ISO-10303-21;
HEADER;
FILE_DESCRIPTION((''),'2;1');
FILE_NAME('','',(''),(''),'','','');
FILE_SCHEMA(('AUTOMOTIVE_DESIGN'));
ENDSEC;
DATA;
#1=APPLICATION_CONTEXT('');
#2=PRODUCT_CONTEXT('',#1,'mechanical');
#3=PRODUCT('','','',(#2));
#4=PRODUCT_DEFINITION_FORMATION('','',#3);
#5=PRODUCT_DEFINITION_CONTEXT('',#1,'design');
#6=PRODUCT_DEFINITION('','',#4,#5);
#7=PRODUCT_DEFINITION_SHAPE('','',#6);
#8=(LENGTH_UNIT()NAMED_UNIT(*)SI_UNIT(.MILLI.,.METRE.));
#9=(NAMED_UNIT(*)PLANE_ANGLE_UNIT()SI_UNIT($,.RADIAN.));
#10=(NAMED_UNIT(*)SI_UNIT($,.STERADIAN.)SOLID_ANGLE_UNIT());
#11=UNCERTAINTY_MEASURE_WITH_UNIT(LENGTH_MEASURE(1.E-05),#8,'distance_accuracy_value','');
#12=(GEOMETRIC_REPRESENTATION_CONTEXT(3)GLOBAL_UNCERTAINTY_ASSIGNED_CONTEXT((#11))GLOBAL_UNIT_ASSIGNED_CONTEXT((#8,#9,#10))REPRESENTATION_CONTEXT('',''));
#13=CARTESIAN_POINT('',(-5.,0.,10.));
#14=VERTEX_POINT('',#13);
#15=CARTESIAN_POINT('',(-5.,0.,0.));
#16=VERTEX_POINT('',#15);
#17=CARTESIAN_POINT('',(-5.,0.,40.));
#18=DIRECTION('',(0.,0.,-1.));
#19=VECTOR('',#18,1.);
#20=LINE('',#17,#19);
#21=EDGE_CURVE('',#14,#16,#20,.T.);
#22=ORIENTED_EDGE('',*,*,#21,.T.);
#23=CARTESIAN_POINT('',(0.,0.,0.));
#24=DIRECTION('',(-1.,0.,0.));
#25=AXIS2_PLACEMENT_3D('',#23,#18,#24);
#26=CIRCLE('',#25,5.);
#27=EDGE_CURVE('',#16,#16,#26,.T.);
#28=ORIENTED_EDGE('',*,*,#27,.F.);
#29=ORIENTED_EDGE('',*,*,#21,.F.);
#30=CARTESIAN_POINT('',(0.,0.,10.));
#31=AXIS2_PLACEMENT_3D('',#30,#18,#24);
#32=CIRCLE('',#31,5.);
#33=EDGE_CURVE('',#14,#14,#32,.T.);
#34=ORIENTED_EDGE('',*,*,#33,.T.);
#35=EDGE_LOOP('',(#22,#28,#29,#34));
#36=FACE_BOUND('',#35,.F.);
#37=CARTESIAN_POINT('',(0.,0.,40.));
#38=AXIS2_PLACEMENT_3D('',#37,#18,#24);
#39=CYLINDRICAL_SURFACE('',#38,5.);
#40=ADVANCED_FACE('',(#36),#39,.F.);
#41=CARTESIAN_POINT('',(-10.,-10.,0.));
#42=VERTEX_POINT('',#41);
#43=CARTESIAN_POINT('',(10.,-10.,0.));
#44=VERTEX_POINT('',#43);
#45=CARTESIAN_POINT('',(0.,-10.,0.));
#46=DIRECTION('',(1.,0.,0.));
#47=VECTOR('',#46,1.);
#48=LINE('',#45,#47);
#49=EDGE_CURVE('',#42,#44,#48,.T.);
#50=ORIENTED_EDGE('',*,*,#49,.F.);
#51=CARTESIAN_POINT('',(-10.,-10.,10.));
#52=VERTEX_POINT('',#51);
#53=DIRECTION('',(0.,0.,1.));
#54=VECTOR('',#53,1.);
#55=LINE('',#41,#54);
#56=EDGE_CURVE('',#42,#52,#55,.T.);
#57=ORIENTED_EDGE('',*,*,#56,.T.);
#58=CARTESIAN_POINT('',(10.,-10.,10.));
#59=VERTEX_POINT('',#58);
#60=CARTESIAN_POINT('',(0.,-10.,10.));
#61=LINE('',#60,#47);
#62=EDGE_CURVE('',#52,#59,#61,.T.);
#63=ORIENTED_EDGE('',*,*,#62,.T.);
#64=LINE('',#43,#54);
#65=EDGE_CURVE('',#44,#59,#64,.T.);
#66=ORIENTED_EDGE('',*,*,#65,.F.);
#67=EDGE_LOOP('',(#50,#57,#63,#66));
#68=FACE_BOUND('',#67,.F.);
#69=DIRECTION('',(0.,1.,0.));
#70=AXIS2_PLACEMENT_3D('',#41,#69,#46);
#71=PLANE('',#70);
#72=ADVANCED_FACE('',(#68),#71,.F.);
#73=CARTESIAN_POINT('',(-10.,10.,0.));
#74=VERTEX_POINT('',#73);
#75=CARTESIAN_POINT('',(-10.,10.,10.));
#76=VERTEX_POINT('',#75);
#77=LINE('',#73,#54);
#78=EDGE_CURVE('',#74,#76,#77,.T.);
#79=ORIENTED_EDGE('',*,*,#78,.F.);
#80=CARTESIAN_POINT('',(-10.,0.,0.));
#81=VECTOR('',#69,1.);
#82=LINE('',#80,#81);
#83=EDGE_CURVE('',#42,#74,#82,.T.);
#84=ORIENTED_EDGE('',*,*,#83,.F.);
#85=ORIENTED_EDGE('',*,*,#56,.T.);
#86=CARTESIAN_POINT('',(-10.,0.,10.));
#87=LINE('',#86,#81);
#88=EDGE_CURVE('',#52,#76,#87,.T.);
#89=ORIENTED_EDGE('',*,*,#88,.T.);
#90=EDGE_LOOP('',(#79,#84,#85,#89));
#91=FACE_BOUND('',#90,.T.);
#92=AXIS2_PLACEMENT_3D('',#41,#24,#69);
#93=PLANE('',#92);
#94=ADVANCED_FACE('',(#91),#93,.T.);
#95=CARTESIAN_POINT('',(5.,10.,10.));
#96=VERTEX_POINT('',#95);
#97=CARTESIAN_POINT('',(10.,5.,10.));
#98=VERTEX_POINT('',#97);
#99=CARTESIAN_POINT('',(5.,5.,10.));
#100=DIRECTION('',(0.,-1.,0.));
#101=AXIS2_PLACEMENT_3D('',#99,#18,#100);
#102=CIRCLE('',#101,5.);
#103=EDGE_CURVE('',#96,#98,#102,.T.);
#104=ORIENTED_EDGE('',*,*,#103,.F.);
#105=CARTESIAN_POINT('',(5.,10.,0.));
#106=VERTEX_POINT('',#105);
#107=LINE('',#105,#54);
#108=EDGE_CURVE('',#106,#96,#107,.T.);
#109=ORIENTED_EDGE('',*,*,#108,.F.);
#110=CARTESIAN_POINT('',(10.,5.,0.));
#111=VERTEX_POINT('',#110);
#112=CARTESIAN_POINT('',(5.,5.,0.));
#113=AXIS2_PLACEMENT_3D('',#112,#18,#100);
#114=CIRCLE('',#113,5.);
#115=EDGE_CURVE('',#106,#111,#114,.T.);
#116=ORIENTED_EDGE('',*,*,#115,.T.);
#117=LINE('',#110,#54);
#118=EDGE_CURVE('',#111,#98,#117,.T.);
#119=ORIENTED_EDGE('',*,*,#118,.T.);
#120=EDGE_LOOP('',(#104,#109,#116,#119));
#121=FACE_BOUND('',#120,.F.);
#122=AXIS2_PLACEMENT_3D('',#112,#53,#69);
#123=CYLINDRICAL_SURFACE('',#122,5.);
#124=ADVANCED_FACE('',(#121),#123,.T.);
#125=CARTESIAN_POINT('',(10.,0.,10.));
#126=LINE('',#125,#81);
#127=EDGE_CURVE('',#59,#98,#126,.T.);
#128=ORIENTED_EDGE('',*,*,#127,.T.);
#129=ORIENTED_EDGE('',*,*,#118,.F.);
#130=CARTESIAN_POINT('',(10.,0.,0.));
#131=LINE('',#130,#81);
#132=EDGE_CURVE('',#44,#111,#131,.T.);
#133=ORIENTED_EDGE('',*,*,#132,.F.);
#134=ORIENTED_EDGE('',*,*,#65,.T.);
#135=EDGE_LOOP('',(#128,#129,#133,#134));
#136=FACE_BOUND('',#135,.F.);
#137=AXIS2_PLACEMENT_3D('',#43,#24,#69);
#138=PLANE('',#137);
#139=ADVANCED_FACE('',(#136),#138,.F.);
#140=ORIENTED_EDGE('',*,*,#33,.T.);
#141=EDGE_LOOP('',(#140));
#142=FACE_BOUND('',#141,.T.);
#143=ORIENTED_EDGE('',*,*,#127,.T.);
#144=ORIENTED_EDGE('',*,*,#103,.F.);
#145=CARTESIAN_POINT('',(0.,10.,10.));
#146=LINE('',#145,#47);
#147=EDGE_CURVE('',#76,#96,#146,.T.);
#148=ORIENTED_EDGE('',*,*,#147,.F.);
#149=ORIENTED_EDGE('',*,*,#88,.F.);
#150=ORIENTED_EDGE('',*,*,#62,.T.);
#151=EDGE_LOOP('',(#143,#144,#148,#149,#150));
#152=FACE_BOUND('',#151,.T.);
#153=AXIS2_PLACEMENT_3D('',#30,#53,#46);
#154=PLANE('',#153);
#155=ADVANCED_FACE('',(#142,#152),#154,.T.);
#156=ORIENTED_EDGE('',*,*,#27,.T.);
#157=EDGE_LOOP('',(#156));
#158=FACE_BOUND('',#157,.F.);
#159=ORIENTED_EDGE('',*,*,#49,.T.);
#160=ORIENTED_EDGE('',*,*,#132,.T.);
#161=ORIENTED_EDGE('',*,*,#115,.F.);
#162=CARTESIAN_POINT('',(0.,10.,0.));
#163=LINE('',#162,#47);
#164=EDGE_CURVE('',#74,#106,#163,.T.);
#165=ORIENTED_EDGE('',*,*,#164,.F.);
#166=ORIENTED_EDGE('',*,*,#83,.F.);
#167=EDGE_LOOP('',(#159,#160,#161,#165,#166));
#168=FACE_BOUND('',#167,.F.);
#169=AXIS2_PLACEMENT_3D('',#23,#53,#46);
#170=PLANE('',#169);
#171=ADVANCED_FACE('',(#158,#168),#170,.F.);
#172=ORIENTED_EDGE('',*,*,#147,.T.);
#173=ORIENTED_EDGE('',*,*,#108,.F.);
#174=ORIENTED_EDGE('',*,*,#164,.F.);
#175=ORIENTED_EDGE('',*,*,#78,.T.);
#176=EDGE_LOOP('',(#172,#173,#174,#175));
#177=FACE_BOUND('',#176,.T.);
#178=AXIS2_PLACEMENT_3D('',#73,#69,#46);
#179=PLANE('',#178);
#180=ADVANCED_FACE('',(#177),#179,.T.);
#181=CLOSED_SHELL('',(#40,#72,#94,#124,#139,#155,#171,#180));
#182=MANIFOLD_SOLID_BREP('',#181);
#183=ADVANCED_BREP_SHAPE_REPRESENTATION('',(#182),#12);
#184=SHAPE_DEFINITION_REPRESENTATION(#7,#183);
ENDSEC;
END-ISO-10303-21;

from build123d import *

# Parameters (mm, degrees)
F0_W     = 20
F0_H     = 20
F1_DEPTH = 10
F3_D     = 10
F4_R     = 5


with BuildPart() as f1:
    # F0 (on Top) → F1 (new body)
    with BuildSketch(Plane.XY):
        Rectangle(F0_W, F0_H)
    extrude(amount=F1_DEPTH)

    # F3 (through all)
    with Locations(Plane.XY.offset(10)):
        with Locations((0, 0)):
            Hole(F3_D / 2)

    # F4
    f4_edges = [f1.edges().sort_by_distance(p)[0] for p in [
        (10, 10, 5),
    ]]
    fillet(f4_edges, radius=F4_R)


solid = f1.part
